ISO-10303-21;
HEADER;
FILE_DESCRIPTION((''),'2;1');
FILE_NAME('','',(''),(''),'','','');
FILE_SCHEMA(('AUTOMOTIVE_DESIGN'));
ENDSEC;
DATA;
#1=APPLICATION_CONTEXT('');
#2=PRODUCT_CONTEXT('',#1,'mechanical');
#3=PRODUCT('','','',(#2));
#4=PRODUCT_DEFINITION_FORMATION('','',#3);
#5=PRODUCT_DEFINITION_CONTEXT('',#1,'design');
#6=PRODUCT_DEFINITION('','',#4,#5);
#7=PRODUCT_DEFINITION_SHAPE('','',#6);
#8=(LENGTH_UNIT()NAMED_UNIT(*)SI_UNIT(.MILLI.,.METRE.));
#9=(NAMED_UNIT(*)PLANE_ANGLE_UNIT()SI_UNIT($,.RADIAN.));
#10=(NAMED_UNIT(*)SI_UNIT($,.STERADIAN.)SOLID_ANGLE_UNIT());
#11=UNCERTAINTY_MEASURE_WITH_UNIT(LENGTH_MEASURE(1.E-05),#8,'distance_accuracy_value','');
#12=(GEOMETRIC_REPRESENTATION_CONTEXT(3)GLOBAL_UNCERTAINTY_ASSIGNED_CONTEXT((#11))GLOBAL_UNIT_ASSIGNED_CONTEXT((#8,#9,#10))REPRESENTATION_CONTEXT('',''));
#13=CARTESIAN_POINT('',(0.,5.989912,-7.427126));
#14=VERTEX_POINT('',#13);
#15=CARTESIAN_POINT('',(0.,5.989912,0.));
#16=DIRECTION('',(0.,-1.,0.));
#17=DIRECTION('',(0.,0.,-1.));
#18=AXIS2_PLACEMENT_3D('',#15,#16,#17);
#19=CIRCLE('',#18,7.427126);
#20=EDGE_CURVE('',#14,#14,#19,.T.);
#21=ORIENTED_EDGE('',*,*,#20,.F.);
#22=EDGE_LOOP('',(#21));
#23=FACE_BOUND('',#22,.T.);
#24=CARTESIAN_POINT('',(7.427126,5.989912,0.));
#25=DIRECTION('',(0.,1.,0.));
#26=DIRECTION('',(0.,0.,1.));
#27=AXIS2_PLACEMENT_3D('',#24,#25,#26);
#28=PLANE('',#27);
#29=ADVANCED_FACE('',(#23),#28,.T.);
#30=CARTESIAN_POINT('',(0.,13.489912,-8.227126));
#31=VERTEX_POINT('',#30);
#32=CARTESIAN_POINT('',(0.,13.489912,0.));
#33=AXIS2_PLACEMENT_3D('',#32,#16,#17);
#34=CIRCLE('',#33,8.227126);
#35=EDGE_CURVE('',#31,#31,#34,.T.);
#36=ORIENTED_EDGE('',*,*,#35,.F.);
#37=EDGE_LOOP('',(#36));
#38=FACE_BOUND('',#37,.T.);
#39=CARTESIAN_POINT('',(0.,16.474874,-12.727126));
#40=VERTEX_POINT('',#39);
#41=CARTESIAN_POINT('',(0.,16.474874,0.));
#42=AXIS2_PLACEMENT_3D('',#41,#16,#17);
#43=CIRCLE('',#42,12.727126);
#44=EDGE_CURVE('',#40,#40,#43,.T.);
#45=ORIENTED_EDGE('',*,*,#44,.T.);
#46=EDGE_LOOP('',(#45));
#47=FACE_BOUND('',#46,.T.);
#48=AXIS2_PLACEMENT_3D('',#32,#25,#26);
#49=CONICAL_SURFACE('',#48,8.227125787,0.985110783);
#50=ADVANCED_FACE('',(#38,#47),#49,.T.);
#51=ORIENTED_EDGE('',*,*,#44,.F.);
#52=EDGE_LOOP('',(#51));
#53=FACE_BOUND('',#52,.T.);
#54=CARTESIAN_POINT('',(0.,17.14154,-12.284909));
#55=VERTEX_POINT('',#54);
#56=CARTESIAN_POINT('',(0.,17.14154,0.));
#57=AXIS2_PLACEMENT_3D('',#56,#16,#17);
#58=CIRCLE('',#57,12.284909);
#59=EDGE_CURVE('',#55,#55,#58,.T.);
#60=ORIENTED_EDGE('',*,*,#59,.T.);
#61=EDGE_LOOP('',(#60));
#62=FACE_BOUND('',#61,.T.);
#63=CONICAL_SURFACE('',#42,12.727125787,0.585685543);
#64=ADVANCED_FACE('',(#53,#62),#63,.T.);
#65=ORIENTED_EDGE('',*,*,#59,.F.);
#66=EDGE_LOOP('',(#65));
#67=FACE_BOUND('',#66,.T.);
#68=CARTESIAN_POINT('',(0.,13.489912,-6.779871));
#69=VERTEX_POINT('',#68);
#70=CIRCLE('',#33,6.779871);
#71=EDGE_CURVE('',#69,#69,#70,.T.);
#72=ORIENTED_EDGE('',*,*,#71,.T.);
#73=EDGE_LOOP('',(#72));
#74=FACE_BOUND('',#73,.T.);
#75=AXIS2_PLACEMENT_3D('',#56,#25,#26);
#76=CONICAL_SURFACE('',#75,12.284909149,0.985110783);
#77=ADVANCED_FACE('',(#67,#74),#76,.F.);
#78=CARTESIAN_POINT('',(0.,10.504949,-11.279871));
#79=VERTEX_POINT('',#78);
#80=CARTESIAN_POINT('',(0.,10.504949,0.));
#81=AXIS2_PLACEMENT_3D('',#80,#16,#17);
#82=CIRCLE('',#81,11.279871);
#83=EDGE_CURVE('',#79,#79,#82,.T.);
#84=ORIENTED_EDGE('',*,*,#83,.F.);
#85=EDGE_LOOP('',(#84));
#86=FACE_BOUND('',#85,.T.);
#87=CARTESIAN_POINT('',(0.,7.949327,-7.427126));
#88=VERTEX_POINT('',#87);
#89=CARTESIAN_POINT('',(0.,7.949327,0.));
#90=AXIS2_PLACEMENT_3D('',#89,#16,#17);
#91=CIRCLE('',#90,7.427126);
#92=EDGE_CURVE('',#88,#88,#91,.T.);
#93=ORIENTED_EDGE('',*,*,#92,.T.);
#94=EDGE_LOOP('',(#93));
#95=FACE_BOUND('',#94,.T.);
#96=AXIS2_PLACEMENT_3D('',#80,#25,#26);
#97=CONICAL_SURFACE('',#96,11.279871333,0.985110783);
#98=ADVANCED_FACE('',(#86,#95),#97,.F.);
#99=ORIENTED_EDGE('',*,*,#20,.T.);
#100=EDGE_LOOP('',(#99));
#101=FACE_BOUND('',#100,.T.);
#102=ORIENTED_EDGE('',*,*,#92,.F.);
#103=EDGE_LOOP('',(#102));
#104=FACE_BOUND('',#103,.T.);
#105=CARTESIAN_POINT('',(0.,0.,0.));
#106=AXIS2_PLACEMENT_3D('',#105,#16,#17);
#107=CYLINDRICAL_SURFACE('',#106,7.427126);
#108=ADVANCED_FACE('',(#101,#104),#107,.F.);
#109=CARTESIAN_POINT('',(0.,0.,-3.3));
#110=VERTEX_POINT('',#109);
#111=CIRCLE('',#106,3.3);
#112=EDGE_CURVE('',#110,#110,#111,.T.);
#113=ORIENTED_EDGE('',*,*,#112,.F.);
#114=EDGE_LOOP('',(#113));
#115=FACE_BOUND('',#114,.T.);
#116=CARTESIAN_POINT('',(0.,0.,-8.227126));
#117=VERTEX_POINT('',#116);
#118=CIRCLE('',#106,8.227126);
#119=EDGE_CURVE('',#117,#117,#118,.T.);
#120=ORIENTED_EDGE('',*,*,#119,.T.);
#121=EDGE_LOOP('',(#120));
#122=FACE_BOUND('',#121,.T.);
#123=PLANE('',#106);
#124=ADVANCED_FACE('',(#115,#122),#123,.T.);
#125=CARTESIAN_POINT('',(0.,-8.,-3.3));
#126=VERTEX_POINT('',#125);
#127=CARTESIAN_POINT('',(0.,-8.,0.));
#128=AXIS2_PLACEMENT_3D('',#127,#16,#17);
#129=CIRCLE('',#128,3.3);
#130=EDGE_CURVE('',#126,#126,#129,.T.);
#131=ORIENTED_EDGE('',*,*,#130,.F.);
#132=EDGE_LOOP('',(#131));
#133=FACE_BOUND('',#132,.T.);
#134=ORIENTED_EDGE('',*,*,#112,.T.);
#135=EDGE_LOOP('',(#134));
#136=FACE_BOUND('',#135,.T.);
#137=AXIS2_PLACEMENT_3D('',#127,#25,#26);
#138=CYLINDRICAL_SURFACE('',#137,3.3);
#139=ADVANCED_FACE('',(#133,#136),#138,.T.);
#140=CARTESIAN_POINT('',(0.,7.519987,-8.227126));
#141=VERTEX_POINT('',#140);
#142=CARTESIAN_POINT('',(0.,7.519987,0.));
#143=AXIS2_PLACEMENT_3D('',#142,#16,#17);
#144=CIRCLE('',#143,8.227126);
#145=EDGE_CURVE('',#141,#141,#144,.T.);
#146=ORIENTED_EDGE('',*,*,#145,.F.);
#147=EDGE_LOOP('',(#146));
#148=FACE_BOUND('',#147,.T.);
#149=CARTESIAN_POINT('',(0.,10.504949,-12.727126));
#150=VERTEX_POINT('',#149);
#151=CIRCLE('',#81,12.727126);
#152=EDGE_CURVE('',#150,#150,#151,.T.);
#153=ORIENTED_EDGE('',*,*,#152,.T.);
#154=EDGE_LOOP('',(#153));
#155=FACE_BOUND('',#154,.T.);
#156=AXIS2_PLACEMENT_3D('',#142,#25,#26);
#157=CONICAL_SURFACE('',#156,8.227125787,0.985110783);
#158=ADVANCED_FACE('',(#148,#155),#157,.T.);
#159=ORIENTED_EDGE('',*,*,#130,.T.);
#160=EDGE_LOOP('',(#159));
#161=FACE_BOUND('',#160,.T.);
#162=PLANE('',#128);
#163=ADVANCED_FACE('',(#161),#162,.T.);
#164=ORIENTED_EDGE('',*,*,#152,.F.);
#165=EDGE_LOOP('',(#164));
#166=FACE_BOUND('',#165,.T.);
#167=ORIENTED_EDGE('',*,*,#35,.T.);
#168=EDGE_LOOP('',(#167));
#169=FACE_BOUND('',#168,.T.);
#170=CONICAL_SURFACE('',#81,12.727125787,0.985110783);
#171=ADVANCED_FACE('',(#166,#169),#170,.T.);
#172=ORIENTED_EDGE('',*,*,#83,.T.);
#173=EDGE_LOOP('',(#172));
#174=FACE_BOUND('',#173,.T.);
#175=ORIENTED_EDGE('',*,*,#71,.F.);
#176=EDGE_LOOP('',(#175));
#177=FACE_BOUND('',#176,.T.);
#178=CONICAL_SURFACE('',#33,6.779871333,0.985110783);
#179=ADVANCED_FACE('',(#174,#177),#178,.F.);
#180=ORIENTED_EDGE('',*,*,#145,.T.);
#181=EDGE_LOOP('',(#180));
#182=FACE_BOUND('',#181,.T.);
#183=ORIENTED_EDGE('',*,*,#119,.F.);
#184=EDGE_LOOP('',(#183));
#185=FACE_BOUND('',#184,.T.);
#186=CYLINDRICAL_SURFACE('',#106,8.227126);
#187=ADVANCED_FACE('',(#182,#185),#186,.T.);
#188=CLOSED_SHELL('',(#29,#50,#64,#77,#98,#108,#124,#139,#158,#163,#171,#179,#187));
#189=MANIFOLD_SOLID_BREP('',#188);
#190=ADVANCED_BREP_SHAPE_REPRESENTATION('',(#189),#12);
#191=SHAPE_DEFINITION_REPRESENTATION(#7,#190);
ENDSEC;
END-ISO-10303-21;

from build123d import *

# Parameters (mm, degrees)
ESQUISSE2_R        = 3.3
BOSS_EXTRU_1_DEPTH = 8


with BuildPart() as part:
    # Esquisse1 → Révolution1 (revolve)
    with BuildSketch(Plane.XY, mode=Mode.PRIVATE) as r_volution1_sk:
        Polygon((0, 0), (8.227125787, 0), (8.227125787, 7.51998689), (12.727125787, 10.504949201), (8.227125787, 13.489911513), (12.727125787, 16.474873824), (12.284909149, 17.141540491), (6.779871333, 13.489911513), (11.279871333, 10.504949201), (7.427125787, 7.949326924), (7.427125787, 5.989911513), (0, 5.989911513), align=None)
    revolve(r_volution1_sk.sketch.rotate(Axis((0, 0, 0), (0, 1, 0)), 90), axis=Axis((0, 0, 0), (0, 1, 0)))

    # Esquisse2 → Boss.-Extru.1 (add)
    with BuildSketch(Plane.XZ):
        with Locations(Location((0, 0, 0), (0, 0, 270))):
            Circle(ESQUISSE2_R)
    extrude(amount=BOSS_EXTRU_1_DEPTH)


solid = part.part
